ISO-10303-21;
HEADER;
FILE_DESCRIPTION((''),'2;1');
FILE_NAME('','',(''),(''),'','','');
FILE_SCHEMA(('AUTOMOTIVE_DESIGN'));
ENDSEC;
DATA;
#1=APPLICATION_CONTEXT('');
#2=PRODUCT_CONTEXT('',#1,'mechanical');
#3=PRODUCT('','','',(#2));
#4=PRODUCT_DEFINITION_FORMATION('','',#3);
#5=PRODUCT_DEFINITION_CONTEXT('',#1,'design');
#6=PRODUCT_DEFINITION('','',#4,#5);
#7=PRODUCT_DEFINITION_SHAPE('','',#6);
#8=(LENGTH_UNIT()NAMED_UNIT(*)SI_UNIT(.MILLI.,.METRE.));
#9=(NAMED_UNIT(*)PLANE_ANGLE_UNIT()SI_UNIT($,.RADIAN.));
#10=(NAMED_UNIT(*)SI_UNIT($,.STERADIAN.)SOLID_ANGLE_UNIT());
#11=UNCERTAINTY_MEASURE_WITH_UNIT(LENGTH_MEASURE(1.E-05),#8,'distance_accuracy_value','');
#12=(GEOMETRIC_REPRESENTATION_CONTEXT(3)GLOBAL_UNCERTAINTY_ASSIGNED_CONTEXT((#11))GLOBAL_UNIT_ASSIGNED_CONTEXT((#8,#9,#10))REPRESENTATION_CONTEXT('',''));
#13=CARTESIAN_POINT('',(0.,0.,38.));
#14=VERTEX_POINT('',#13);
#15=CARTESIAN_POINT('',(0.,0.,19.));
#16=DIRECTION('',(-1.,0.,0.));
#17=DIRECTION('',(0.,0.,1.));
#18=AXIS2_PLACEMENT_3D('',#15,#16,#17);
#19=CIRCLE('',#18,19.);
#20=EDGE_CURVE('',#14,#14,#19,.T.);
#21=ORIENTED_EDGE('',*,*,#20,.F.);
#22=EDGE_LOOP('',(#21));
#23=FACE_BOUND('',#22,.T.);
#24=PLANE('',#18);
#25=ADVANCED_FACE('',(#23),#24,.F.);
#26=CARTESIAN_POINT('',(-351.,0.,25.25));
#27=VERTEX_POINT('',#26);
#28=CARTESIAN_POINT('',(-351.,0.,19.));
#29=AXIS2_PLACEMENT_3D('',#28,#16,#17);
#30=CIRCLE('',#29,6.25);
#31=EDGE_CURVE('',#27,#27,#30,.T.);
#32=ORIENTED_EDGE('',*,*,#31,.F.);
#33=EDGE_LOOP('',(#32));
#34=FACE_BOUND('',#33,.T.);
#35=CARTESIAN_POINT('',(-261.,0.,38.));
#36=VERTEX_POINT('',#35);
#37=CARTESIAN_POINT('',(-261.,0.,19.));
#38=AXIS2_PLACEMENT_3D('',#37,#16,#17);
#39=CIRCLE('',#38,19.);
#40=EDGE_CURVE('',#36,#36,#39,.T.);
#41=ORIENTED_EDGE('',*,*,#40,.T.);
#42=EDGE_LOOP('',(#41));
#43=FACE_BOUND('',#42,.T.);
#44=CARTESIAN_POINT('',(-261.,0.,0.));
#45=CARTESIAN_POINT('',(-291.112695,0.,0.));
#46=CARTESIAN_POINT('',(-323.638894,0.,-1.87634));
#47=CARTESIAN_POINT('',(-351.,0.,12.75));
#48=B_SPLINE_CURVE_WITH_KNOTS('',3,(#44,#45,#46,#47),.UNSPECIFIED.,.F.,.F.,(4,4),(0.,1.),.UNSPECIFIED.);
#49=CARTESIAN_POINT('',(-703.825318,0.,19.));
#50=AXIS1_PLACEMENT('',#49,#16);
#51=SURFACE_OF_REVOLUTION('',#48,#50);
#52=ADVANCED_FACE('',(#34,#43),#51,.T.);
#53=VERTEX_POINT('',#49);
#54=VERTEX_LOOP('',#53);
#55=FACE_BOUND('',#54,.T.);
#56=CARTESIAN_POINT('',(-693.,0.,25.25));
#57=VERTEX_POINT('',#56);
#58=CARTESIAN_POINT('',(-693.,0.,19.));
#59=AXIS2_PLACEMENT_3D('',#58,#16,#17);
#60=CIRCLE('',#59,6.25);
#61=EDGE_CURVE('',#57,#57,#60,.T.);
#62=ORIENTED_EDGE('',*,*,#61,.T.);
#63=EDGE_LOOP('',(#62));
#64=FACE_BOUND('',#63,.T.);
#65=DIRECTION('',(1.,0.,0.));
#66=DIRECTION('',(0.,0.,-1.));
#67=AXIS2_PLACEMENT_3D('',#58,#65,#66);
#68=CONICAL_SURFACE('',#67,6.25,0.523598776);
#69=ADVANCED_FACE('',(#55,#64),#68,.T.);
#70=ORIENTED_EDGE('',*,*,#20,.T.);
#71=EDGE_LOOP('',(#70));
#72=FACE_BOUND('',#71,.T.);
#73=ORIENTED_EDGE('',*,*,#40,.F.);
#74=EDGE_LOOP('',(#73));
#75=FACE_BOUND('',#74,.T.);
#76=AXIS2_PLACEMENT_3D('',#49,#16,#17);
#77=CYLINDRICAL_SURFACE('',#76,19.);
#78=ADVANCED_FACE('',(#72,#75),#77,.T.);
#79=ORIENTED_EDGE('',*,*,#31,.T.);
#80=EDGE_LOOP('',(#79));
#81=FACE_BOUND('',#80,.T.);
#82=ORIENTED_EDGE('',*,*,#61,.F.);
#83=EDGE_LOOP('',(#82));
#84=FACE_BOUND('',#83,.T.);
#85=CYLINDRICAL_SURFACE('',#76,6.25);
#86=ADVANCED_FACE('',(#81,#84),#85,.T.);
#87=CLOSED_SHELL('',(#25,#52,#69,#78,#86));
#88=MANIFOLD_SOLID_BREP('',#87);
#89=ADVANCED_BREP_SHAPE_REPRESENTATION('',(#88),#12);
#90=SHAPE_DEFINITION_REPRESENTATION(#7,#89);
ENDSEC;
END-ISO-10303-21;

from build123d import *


with BuildPart() as part:
    # Skizze1 → Rotation1 (revolve)
    with BuildSketch(Plane(origin=(0, 0, 0), x_dir=(1, 0, 0), z_dir=(0, 1, 0)), mode=Mode.PRIVATE) as rotation1_sk:
        with BuildLine():
            Line((-693, -12.75), (-703.825317547, -19))
            Line((-703.825317547, -19), (0, -19))
            Line((0, -19), (0, 0))
            Line((0, 0), (-261, 0))
            add(Edge.make_bspline(
                [(-261, 0), (-291.112694808, 0), (-323.638894204, 1.876340116), (-351, -12.75)],
                knots=[0, 0, 0, 0, 1, 1, 1, 1], degree=3))
            Line((-351, -12.75), (-693, -12.75))
        make_face()
    revolve(rotation1_sk.sketch.rotate(Axis((-703.825317547, 0, 19), (1, 0, 0)), 180), axis=Axis((-703.825317547, 0, 19), (1, 0, 0)))


solid = part.part
